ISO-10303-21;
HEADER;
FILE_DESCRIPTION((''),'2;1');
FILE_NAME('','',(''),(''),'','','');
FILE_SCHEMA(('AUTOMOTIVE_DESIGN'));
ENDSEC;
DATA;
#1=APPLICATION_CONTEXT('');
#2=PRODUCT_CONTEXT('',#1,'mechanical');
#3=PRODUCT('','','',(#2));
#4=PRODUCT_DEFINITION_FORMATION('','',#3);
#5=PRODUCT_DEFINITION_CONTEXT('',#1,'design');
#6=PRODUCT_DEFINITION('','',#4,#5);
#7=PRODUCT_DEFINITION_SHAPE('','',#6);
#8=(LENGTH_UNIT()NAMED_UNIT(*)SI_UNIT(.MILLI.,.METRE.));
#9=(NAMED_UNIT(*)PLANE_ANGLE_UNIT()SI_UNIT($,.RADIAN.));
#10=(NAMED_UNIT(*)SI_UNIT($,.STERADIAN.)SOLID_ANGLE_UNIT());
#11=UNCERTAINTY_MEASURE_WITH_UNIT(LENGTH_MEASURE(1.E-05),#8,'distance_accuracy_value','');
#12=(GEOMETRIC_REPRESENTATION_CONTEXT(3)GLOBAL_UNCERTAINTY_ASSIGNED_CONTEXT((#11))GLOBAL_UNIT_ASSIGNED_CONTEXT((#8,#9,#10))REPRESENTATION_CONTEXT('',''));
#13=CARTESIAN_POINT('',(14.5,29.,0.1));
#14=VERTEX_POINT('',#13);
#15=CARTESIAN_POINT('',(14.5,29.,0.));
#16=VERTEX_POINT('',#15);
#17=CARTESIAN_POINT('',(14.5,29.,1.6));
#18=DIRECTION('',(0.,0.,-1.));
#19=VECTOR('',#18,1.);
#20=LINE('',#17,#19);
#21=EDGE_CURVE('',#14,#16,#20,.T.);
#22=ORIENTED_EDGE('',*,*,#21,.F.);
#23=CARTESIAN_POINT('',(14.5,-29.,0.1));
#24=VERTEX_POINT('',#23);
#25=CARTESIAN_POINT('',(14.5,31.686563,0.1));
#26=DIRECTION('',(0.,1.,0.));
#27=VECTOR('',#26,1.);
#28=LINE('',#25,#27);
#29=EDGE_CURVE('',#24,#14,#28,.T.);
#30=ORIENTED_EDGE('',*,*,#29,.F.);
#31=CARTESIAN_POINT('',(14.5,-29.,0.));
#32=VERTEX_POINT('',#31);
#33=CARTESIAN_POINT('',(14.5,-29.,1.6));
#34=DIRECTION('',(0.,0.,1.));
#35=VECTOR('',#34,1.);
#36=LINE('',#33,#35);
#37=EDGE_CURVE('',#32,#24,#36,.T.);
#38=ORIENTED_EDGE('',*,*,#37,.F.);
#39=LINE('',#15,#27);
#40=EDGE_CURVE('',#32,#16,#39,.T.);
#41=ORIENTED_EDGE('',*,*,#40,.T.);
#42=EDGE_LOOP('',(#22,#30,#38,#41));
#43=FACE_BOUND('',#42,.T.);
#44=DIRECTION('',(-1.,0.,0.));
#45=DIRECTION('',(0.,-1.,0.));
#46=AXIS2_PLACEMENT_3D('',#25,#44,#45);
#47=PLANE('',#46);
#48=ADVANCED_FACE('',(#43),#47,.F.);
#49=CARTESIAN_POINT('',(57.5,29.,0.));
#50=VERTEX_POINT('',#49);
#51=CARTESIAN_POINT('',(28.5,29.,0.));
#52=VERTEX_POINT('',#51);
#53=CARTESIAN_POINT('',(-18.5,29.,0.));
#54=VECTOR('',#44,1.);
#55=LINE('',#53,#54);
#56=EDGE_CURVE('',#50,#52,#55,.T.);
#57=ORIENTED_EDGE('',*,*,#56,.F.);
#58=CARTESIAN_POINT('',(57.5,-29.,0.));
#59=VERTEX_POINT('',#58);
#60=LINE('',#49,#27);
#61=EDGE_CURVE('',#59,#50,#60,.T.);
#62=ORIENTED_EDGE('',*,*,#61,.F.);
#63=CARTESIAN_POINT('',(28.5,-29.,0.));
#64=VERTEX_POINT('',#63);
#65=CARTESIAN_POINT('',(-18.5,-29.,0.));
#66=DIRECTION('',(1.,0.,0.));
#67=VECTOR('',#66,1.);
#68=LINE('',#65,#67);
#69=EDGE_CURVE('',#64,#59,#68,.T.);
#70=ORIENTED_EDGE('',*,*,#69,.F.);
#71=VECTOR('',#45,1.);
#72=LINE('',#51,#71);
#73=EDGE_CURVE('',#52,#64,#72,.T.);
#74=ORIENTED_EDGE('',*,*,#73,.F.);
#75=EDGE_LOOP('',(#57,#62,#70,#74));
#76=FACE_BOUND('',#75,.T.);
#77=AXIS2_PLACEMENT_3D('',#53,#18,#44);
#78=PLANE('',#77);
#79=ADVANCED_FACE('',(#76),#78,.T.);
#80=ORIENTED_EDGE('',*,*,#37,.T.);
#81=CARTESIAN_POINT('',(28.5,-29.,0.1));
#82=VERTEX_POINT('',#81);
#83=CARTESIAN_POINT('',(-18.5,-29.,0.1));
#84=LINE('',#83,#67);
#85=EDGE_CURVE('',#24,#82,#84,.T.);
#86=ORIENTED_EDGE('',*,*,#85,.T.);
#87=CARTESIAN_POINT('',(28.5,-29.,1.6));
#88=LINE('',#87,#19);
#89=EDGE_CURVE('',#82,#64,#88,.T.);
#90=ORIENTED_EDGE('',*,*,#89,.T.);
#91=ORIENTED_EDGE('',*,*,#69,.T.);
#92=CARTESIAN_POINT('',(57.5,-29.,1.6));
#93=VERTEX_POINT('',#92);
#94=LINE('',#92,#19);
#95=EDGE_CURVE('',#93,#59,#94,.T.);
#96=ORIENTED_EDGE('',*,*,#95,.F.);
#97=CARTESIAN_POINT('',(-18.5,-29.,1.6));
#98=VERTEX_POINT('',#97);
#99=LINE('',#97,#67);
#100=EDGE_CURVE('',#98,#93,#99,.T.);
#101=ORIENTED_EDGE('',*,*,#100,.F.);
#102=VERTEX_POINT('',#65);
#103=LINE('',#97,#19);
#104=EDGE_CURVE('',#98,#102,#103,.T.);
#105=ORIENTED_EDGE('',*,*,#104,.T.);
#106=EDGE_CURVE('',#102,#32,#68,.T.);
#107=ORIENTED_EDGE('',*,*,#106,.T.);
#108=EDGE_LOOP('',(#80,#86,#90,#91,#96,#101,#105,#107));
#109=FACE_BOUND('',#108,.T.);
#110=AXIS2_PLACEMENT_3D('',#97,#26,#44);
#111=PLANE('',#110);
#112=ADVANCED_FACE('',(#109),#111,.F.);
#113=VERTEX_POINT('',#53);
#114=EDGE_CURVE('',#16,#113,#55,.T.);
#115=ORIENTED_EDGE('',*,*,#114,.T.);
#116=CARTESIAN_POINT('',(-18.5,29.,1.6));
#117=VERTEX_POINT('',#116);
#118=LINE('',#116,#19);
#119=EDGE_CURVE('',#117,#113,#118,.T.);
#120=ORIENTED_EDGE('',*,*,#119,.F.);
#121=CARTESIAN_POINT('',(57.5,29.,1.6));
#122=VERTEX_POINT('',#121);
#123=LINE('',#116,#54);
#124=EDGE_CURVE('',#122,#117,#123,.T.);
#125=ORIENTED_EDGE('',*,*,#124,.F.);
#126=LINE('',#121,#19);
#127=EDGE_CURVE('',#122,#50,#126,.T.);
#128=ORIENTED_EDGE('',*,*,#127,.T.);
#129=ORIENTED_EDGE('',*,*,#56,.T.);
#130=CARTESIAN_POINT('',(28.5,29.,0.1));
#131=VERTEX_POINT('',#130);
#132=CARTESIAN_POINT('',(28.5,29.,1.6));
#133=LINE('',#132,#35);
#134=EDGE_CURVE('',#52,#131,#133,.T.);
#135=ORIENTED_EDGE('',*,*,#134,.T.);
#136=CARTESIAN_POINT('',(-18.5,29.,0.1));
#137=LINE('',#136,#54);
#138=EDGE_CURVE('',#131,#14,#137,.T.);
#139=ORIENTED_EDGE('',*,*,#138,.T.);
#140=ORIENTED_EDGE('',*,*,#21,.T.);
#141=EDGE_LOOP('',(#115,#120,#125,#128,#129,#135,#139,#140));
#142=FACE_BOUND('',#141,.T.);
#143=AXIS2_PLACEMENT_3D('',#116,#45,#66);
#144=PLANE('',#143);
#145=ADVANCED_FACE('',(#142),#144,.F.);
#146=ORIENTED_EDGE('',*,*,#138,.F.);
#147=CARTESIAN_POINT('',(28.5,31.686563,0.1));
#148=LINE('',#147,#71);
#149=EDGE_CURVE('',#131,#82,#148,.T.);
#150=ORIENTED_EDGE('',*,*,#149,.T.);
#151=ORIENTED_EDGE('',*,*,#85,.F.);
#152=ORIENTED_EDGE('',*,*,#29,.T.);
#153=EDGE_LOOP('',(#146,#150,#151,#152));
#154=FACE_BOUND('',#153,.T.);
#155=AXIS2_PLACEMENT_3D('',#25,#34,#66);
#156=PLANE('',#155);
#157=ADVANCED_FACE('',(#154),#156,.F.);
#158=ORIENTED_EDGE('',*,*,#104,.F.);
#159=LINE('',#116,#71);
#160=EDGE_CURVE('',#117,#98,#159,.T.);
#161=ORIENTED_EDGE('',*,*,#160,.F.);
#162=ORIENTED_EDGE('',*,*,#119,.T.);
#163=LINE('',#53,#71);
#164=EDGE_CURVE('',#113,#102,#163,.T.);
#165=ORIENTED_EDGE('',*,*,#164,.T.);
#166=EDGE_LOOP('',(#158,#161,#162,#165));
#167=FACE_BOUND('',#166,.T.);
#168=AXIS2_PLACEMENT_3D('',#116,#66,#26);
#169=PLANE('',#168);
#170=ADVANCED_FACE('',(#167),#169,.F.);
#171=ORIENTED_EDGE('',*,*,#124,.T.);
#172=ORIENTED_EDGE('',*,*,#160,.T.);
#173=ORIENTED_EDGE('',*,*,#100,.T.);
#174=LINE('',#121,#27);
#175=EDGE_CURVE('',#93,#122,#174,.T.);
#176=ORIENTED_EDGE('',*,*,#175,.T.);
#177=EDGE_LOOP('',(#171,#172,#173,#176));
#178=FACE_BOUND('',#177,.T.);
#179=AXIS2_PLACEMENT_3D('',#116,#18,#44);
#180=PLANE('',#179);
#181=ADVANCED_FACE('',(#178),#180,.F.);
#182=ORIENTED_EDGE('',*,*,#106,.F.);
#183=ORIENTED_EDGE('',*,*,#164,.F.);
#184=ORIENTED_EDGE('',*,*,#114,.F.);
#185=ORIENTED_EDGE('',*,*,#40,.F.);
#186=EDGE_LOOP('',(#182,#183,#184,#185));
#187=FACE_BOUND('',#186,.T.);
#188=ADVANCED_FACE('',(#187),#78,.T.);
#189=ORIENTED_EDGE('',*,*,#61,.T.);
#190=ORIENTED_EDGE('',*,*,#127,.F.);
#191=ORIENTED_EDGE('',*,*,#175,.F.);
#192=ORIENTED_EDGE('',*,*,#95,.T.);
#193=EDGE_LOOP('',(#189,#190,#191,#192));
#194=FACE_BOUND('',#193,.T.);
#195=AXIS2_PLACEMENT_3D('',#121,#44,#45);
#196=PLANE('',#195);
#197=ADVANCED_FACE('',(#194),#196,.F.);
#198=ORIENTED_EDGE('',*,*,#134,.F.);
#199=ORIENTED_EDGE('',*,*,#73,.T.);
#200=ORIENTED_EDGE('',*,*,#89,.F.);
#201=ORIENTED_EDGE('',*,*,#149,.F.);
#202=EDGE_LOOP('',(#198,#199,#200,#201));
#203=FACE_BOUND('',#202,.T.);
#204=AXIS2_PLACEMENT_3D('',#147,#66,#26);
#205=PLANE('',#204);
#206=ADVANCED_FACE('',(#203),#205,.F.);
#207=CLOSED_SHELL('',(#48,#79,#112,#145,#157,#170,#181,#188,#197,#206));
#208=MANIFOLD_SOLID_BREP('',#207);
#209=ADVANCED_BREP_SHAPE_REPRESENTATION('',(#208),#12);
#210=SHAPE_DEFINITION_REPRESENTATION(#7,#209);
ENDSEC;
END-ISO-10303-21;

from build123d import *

# Parameters (mm, degrees)
ESQUISSE1_W             = 76
ESQUISSE1_H             = 58
EXTRUSION1_DEPTH        = 1.6
ESQUISSE2_W             = 14
ESQUISSE2_H             = 63.660749159
ENL_V_MAT_EXTRU_1_DEPTH = 0.1


with BuildPart() as part:
    # Esquisse1 → Extrusion1 (new body)
    with BuildSketch(Plane.XY):
        with Locations((19.5, 0)):
            Rectangle(ESQUISSE1_W, ESQUISSE1_H)
    extrude(amount=EXTRUSION1_DEPTH)

    # Esquisse2 → Enlèv. mat.-Extru.1 (cut)
    with BuildSketch(Plane(origin=(0, 0, 0), x_dir=(-1, 0, 0), z_dir=(0, 0, -1))):
        with Locations((-21.5, -0.143811934)):
            Rectangle(ESQUISSE2_W, ESQUISSE2_H)
    extrude(amount=-ENL_V_MAT_EXTRU_1_DEPTH, mode=Mode.SUBTRACT)


solid = part.part
